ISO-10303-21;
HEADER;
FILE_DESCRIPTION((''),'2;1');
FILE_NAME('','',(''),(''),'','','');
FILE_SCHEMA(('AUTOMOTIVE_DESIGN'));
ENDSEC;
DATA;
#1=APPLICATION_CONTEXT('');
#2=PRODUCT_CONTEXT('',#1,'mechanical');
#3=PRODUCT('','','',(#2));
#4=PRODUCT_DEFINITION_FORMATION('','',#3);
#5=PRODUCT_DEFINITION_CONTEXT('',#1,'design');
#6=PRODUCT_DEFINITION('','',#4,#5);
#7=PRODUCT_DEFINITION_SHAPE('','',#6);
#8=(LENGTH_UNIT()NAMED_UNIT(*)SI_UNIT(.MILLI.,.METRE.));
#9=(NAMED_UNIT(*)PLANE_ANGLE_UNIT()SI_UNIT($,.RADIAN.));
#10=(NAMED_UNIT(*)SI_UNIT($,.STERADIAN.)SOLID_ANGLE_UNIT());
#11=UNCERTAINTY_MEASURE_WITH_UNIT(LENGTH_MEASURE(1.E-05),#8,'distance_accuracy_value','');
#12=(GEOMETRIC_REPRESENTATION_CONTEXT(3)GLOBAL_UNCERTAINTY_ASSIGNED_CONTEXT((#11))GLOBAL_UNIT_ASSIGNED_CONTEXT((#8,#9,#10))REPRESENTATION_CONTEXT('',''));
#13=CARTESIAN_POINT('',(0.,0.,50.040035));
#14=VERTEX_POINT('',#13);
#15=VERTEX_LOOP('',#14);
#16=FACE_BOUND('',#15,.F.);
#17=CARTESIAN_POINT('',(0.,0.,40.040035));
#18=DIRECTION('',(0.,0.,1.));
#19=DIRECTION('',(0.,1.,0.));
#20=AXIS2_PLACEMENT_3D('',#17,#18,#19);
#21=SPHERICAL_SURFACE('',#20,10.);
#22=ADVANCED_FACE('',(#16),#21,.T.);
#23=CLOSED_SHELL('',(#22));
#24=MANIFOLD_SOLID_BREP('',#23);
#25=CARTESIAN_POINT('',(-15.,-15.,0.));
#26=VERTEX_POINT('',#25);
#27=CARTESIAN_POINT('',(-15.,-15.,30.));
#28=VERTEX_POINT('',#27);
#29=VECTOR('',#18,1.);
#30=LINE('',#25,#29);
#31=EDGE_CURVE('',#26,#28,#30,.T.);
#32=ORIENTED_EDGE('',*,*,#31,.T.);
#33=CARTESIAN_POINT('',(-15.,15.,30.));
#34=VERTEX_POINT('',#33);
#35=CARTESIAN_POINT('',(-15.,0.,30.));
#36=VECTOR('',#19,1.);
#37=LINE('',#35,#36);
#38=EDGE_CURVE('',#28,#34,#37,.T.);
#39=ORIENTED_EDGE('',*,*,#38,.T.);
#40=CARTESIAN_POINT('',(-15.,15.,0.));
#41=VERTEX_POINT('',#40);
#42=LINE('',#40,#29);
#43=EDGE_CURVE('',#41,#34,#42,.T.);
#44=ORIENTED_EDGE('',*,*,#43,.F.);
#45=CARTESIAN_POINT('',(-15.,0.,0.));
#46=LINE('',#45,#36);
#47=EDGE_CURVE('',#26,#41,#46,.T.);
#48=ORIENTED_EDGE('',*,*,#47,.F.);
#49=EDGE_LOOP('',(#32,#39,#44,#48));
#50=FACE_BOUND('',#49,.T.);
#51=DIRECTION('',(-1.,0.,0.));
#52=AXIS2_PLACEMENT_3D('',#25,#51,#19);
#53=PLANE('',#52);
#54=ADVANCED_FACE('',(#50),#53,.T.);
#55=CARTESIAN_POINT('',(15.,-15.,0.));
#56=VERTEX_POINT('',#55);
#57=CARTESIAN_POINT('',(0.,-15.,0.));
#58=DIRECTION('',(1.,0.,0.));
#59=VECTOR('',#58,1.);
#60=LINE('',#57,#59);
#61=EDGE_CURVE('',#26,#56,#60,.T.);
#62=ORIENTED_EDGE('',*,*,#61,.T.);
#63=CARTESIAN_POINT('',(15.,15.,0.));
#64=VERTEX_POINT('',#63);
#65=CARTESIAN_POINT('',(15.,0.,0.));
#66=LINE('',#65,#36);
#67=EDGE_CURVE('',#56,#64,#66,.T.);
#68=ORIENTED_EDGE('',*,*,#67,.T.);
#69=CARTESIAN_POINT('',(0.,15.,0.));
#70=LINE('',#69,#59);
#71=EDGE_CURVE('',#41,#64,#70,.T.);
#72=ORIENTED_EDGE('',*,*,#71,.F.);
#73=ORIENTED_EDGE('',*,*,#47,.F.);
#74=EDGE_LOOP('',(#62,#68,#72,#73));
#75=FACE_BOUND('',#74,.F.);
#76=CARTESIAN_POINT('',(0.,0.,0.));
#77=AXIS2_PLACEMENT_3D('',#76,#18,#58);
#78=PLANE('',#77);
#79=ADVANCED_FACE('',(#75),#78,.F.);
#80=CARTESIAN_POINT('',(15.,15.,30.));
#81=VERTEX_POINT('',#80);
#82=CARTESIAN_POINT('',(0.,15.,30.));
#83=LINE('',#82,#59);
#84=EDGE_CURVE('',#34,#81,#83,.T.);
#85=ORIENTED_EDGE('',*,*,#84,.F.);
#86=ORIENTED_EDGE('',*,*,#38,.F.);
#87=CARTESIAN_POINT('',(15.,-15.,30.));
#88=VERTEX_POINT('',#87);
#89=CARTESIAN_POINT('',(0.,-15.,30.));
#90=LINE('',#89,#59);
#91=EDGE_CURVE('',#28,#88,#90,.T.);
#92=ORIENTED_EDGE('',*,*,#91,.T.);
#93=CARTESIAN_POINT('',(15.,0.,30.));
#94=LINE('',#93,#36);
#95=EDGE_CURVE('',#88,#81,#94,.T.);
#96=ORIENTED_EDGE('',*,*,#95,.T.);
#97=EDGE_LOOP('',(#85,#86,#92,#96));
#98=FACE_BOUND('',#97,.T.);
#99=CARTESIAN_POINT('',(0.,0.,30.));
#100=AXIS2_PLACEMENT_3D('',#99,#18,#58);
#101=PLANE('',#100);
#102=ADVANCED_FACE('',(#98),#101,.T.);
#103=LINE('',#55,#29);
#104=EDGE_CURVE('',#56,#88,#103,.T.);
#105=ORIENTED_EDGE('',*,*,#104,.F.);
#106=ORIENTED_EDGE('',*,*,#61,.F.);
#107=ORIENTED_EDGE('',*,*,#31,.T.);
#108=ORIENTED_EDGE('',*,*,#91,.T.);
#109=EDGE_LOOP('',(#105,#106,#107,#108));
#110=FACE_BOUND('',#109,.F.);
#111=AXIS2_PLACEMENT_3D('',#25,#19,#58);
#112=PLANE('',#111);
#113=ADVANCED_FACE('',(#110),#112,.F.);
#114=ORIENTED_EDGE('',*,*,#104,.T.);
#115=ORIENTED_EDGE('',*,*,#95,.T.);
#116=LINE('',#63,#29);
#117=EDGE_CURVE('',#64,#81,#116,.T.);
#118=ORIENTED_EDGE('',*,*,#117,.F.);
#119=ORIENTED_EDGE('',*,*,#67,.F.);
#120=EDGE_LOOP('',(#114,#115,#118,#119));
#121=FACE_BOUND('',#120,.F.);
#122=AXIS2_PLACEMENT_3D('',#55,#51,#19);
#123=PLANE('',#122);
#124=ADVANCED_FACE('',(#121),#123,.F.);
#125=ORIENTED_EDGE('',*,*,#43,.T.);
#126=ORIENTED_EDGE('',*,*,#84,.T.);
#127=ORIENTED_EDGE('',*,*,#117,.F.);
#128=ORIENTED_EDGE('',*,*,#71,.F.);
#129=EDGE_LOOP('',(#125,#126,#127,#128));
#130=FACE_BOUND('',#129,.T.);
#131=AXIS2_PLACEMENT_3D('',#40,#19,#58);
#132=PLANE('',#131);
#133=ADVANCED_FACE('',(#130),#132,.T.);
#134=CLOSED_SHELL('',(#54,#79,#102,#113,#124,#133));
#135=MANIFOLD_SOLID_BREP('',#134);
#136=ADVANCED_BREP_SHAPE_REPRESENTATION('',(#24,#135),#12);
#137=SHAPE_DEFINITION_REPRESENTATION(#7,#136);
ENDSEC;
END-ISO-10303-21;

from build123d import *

# Parameters (mm, degrees)
F0_W     = 30
F0_H     = 30
F1_DEPTH = 30


with BuildPart() as f1:
    # F0 (on Top) → F1 (new body)
    with BuildSketch(Plane.XY):
        Rectangle(F0_W, F0_H)
    extrude(amount=F1_DEPTH)


with BuildPart() as f4:
    # F3 (on Right) → F4 (revolve)
    with BuildSketch(Plane.YZ):
        with BuildLine():
            Line((0, 50.040035), (0, 30.040035))
            ThreePointArc((0, 30.040035), (10, 40.040035), (0, 50.040035))
        make_face()
    revolve(axis=Axis((0, 0, 40.040035), (0, 0, -1)))


solid = Compound([f1.part, f4.part])
